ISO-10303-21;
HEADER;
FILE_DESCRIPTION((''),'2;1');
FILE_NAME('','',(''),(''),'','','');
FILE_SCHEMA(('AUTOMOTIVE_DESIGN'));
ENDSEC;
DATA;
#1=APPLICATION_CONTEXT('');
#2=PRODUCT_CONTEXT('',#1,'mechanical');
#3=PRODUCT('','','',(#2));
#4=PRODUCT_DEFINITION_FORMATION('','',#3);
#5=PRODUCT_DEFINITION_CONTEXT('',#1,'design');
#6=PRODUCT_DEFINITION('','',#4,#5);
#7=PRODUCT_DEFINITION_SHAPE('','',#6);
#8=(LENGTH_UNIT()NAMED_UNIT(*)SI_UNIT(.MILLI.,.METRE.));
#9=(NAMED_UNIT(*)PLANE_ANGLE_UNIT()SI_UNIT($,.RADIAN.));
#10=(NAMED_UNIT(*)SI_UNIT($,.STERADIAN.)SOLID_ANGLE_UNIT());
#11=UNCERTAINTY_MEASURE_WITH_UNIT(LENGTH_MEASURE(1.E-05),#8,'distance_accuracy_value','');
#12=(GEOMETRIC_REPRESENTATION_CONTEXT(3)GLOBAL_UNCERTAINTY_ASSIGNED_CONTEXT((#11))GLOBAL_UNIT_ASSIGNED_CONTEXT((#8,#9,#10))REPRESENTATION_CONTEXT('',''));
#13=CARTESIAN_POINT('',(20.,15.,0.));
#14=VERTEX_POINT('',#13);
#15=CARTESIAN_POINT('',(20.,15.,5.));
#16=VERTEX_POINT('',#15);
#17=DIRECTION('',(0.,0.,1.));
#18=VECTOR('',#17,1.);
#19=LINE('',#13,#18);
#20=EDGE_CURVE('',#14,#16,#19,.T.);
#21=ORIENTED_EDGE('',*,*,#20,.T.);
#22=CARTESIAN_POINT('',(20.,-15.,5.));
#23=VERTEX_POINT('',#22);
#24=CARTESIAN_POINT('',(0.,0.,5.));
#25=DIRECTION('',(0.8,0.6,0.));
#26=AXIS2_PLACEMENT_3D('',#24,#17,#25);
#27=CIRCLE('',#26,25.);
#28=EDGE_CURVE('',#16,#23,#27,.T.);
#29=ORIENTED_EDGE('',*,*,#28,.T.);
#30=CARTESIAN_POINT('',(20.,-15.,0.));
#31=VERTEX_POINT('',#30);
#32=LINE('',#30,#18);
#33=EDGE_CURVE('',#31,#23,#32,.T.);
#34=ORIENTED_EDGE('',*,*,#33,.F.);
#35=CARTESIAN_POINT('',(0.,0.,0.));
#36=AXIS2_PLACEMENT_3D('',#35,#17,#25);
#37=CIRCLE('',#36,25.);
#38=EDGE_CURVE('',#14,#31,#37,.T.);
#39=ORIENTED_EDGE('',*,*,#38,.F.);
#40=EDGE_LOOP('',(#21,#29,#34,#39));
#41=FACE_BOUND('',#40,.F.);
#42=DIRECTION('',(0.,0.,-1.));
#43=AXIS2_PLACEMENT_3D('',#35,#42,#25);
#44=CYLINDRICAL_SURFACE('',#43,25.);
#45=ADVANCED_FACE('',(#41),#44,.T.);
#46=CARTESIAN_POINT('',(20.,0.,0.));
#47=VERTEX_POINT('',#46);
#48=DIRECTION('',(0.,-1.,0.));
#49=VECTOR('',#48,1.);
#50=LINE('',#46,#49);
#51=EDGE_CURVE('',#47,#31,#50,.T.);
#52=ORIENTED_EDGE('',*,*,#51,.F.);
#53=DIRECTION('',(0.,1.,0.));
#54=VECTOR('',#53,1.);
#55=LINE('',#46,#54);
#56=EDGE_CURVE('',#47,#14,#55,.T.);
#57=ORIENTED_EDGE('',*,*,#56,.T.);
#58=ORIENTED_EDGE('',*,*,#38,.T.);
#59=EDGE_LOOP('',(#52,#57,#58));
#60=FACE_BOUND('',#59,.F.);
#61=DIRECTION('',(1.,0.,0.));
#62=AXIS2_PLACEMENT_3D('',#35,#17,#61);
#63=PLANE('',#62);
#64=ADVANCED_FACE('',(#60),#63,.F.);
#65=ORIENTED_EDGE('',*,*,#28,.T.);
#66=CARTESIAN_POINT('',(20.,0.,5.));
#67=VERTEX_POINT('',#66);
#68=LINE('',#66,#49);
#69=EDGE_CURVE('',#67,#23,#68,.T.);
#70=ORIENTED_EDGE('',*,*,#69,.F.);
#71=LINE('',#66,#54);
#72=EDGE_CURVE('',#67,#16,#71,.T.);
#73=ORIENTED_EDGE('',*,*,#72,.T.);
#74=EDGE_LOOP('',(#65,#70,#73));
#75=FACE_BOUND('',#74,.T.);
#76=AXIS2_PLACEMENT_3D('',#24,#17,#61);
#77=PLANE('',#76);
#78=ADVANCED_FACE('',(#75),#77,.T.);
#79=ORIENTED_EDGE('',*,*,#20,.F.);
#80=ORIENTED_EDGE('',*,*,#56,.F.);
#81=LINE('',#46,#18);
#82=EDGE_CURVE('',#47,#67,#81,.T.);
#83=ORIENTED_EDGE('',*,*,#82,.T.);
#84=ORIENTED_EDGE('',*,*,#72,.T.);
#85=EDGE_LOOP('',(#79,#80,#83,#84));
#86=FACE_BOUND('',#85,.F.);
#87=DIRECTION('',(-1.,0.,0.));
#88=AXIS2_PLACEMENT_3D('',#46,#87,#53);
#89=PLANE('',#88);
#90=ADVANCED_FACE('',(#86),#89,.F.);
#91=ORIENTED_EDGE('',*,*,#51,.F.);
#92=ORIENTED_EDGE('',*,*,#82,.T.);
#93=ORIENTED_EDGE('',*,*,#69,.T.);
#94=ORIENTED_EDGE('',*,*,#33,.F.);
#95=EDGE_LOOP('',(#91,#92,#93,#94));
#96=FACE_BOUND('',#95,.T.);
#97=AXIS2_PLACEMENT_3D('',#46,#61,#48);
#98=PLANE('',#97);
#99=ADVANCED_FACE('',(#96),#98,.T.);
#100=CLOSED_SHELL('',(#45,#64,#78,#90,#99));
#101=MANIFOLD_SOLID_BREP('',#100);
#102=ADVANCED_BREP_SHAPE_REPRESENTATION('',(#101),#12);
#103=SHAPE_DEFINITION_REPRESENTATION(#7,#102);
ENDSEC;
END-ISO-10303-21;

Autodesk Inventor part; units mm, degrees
ref_plane "YZ Plane" through (0, 0, 0) normal (1, 0, 0) x (0, 1, 0)
ref_plane "XZ Plane" through (0, 0, 0) normal (0, 1, 0) x (-1, 0, 0)
ref_plane "XY Plane" through (0, 0, 0) normal (0, 0, 1) x (1, 0, 0)
sketch "Sketch1" plane through (0, 0, 0) normal (0, 0, 1) x (1, 0, 0)
  arc A0 (20, 15) -> (20, -15) centre (0, 0) ccw
  line L0 (20, 0) -> (20, -15)
  line L1 (20, 0) -> (20, 15)
  dimension "d0" = 50
extrude "Extrusion1" add sketch "Sketch1" along normal blind 5
properties part number "Flywheel" material "Iron, Cast"
